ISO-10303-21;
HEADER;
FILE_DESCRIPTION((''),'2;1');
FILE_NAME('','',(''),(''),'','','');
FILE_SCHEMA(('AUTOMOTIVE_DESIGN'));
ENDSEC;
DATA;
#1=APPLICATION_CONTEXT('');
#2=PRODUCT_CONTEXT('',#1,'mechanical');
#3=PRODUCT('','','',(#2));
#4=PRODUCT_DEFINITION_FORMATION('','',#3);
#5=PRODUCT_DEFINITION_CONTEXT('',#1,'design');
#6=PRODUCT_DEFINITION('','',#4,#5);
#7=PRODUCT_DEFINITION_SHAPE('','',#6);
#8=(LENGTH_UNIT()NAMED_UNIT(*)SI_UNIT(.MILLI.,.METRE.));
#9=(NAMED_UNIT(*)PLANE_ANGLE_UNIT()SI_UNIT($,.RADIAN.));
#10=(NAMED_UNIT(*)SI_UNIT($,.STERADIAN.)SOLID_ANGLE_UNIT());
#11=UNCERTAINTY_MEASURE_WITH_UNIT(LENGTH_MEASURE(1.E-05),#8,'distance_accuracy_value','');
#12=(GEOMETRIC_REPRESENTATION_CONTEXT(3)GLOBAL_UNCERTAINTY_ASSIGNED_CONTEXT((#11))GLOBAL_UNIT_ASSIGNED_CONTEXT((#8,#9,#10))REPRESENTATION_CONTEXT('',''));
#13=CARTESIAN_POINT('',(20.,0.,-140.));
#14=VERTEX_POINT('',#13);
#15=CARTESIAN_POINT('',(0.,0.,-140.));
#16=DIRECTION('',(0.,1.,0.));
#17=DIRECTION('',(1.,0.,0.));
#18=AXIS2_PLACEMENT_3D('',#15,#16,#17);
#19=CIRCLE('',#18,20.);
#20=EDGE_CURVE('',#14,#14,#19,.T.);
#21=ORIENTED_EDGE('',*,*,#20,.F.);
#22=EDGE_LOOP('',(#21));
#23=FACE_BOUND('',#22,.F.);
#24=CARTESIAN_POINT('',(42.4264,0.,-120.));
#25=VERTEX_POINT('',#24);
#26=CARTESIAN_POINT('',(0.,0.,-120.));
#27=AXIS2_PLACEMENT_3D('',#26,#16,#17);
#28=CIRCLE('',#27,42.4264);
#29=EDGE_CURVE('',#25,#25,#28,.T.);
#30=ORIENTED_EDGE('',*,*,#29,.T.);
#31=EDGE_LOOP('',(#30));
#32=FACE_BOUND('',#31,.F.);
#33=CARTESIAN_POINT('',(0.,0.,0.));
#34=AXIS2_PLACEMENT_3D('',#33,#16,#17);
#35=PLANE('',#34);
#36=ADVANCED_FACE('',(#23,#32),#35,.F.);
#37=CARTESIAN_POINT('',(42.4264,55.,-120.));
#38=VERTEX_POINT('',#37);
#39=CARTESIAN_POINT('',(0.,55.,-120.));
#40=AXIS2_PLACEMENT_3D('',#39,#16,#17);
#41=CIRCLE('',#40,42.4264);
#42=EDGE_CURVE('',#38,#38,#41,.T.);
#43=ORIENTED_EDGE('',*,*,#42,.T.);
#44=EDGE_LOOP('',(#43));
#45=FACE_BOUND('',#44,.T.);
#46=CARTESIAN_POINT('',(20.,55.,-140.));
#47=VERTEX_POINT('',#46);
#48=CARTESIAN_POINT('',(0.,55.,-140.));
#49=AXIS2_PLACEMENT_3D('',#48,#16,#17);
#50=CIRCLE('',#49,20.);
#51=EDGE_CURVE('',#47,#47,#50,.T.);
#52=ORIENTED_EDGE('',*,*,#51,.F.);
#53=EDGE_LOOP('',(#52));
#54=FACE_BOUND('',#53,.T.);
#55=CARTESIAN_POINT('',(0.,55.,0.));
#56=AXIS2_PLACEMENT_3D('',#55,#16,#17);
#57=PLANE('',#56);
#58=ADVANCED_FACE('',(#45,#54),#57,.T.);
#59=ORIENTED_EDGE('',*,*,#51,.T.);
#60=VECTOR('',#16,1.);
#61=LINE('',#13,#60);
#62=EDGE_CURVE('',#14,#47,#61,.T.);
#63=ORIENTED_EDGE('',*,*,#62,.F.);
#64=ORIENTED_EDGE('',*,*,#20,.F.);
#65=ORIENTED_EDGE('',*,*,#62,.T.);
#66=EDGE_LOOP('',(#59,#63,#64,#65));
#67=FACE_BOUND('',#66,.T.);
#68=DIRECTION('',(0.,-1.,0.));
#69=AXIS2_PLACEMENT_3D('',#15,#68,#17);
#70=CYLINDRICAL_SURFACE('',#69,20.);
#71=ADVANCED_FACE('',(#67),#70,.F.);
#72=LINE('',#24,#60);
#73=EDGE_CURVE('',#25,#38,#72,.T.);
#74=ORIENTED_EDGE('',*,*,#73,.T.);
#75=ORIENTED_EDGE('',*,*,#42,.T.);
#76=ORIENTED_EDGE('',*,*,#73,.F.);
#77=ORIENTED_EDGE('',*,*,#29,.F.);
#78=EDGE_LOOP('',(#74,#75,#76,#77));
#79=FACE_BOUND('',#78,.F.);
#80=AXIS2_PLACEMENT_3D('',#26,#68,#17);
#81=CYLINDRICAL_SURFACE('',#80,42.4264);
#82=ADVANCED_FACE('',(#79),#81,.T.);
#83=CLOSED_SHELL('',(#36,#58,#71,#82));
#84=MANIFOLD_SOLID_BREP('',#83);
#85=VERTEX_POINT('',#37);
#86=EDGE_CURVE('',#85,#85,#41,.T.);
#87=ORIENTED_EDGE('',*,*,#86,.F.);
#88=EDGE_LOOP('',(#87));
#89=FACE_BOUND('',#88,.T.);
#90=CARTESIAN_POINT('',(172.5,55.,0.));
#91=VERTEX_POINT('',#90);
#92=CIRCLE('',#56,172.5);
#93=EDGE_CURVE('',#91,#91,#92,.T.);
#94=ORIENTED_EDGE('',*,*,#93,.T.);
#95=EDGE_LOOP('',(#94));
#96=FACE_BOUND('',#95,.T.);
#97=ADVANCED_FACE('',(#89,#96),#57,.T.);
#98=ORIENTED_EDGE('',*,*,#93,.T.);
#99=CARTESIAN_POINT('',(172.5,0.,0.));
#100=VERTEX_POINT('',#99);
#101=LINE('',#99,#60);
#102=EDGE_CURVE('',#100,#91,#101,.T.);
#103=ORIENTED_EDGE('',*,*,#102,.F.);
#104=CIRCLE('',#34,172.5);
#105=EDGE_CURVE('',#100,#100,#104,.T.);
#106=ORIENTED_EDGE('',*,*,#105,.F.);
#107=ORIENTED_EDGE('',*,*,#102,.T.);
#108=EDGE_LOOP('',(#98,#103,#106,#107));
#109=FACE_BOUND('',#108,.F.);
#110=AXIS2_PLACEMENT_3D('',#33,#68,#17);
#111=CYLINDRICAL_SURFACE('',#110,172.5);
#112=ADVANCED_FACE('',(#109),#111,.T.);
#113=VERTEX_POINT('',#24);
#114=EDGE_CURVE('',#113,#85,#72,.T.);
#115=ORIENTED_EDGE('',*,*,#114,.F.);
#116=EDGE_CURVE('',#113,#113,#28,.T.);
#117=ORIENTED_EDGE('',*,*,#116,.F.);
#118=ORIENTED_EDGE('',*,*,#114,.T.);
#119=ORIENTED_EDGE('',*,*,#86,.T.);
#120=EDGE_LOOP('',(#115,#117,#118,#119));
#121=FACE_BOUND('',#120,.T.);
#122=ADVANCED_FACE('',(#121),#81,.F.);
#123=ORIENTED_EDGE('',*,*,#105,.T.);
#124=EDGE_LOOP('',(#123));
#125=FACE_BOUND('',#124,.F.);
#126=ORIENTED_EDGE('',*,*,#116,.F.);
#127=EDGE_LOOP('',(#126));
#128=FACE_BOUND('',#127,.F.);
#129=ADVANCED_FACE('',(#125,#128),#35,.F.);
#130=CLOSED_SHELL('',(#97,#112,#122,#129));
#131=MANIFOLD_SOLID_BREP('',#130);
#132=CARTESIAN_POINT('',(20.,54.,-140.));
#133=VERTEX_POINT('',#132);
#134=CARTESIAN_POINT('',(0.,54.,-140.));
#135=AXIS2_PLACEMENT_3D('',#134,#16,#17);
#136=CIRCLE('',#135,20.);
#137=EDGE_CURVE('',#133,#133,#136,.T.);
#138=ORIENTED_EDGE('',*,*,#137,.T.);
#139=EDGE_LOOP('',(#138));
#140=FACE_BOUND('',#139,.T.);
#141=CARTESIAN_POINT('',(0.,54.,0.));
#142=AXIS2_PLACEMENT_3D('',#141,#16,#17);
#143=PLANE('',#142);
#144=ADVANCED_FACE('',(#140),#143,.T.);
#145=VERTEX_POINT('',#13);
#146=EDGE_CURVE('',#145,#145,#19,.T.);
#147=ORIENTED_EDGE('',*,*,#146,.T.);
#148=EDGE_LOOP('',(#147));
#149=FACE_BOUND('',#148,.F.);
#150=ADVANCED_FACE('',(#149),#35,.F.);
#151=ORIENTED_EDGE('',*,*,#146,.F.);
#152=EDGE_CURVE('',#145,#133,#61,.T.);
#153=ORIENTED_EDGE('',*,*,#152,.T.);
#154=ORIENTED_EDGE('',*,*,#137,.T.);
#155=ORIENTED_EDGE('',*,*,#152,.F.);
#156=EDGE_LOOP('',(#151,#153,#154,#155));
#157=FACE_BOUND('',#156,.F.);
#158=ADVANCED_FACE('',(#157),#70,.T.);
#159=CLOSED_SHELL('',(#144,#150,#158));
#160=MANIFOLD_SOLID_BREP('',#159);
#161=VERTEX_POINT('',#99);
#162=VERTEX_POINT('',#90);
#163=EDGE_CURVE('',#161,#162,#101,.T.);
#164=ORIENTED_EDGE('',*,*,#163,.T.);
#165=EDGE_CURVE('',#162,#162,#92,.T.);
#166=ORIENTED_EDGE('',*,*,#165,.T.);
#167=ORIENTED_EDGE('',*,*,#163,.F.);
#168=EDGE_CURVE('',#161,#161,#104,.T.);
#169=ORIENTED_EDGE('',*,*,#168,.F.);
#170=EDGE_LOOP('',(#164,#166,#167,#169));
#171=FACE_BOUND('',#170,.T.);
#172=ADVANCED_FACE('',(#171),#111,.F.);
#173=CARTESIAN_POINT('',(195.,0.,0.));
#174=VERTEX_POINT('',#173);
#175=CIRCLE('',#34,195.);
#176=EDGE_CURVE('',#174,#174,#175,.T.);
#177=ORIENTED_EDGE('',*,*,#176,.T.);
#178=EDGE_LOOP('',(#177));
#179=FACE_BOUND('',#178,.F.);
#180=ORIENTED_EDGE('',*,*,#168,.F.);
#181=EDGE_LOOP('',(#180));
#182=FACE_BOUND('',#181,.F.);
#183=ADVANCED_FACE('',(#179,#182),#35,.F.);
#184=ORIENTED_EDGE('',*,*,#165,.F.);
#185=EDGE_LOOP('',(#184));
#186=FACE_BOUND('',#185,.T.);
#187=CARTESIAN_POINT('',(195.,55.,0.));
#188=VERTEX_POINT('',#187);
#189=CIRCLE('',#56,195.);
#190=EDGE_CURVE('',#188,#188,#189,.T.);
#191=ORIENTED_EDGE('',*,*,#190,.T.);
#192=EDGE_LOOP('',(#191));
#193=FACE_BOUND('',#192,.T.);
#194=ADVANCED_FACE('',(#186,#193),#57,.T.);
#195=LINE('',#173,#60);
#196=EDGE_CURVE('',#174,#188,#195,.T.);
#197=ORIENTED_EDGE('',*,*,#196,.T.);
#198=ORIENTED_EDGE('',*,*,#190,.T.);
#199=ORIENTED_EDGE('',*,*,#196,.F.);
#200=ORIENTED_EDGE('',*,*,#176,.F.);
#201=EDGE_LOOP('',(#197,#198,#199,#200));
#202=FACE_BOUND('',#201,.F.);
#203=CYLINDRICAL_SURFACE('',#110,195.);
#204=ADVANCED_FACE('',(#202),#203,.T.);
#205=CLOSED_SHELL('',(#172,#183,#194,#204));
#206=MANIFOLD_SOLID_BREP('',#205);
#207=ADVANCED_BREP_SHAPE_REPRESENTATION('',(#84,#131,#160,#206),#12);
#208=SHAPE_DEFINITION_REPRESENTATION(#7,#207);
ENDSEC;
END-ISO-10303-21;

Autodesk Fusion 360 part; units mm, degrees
sketch "Sketch2" plane through (0, 0, 0) normal (0, 1, 0) x (1, 0, 0)
  circle A0 centre (0, 0) radius 195
  circle A1 centre (0, 0) radius 172.5
  circle A2 centre (0, 120) radius 42.4264
  circle A3 centre (0, 140) radius 20
  dimension "d11" = 390
  dimension "d12" = 345
extrude "Extrude5" add sketch "Sketch2" along normal blind 55 contours A0 makes body 1
extrude "Extrude6" add sketch "Sketch2" along normal blind 55 separate body contours A1 makes body 2
extrude "Extrude7" add sketch "Sketch2" along normal blind 55 separate body contours A2 makes body 3
extrude "Extrude8" add sketch "Sketch2" along normal blind 54 separate body contours A3 makes body 4
